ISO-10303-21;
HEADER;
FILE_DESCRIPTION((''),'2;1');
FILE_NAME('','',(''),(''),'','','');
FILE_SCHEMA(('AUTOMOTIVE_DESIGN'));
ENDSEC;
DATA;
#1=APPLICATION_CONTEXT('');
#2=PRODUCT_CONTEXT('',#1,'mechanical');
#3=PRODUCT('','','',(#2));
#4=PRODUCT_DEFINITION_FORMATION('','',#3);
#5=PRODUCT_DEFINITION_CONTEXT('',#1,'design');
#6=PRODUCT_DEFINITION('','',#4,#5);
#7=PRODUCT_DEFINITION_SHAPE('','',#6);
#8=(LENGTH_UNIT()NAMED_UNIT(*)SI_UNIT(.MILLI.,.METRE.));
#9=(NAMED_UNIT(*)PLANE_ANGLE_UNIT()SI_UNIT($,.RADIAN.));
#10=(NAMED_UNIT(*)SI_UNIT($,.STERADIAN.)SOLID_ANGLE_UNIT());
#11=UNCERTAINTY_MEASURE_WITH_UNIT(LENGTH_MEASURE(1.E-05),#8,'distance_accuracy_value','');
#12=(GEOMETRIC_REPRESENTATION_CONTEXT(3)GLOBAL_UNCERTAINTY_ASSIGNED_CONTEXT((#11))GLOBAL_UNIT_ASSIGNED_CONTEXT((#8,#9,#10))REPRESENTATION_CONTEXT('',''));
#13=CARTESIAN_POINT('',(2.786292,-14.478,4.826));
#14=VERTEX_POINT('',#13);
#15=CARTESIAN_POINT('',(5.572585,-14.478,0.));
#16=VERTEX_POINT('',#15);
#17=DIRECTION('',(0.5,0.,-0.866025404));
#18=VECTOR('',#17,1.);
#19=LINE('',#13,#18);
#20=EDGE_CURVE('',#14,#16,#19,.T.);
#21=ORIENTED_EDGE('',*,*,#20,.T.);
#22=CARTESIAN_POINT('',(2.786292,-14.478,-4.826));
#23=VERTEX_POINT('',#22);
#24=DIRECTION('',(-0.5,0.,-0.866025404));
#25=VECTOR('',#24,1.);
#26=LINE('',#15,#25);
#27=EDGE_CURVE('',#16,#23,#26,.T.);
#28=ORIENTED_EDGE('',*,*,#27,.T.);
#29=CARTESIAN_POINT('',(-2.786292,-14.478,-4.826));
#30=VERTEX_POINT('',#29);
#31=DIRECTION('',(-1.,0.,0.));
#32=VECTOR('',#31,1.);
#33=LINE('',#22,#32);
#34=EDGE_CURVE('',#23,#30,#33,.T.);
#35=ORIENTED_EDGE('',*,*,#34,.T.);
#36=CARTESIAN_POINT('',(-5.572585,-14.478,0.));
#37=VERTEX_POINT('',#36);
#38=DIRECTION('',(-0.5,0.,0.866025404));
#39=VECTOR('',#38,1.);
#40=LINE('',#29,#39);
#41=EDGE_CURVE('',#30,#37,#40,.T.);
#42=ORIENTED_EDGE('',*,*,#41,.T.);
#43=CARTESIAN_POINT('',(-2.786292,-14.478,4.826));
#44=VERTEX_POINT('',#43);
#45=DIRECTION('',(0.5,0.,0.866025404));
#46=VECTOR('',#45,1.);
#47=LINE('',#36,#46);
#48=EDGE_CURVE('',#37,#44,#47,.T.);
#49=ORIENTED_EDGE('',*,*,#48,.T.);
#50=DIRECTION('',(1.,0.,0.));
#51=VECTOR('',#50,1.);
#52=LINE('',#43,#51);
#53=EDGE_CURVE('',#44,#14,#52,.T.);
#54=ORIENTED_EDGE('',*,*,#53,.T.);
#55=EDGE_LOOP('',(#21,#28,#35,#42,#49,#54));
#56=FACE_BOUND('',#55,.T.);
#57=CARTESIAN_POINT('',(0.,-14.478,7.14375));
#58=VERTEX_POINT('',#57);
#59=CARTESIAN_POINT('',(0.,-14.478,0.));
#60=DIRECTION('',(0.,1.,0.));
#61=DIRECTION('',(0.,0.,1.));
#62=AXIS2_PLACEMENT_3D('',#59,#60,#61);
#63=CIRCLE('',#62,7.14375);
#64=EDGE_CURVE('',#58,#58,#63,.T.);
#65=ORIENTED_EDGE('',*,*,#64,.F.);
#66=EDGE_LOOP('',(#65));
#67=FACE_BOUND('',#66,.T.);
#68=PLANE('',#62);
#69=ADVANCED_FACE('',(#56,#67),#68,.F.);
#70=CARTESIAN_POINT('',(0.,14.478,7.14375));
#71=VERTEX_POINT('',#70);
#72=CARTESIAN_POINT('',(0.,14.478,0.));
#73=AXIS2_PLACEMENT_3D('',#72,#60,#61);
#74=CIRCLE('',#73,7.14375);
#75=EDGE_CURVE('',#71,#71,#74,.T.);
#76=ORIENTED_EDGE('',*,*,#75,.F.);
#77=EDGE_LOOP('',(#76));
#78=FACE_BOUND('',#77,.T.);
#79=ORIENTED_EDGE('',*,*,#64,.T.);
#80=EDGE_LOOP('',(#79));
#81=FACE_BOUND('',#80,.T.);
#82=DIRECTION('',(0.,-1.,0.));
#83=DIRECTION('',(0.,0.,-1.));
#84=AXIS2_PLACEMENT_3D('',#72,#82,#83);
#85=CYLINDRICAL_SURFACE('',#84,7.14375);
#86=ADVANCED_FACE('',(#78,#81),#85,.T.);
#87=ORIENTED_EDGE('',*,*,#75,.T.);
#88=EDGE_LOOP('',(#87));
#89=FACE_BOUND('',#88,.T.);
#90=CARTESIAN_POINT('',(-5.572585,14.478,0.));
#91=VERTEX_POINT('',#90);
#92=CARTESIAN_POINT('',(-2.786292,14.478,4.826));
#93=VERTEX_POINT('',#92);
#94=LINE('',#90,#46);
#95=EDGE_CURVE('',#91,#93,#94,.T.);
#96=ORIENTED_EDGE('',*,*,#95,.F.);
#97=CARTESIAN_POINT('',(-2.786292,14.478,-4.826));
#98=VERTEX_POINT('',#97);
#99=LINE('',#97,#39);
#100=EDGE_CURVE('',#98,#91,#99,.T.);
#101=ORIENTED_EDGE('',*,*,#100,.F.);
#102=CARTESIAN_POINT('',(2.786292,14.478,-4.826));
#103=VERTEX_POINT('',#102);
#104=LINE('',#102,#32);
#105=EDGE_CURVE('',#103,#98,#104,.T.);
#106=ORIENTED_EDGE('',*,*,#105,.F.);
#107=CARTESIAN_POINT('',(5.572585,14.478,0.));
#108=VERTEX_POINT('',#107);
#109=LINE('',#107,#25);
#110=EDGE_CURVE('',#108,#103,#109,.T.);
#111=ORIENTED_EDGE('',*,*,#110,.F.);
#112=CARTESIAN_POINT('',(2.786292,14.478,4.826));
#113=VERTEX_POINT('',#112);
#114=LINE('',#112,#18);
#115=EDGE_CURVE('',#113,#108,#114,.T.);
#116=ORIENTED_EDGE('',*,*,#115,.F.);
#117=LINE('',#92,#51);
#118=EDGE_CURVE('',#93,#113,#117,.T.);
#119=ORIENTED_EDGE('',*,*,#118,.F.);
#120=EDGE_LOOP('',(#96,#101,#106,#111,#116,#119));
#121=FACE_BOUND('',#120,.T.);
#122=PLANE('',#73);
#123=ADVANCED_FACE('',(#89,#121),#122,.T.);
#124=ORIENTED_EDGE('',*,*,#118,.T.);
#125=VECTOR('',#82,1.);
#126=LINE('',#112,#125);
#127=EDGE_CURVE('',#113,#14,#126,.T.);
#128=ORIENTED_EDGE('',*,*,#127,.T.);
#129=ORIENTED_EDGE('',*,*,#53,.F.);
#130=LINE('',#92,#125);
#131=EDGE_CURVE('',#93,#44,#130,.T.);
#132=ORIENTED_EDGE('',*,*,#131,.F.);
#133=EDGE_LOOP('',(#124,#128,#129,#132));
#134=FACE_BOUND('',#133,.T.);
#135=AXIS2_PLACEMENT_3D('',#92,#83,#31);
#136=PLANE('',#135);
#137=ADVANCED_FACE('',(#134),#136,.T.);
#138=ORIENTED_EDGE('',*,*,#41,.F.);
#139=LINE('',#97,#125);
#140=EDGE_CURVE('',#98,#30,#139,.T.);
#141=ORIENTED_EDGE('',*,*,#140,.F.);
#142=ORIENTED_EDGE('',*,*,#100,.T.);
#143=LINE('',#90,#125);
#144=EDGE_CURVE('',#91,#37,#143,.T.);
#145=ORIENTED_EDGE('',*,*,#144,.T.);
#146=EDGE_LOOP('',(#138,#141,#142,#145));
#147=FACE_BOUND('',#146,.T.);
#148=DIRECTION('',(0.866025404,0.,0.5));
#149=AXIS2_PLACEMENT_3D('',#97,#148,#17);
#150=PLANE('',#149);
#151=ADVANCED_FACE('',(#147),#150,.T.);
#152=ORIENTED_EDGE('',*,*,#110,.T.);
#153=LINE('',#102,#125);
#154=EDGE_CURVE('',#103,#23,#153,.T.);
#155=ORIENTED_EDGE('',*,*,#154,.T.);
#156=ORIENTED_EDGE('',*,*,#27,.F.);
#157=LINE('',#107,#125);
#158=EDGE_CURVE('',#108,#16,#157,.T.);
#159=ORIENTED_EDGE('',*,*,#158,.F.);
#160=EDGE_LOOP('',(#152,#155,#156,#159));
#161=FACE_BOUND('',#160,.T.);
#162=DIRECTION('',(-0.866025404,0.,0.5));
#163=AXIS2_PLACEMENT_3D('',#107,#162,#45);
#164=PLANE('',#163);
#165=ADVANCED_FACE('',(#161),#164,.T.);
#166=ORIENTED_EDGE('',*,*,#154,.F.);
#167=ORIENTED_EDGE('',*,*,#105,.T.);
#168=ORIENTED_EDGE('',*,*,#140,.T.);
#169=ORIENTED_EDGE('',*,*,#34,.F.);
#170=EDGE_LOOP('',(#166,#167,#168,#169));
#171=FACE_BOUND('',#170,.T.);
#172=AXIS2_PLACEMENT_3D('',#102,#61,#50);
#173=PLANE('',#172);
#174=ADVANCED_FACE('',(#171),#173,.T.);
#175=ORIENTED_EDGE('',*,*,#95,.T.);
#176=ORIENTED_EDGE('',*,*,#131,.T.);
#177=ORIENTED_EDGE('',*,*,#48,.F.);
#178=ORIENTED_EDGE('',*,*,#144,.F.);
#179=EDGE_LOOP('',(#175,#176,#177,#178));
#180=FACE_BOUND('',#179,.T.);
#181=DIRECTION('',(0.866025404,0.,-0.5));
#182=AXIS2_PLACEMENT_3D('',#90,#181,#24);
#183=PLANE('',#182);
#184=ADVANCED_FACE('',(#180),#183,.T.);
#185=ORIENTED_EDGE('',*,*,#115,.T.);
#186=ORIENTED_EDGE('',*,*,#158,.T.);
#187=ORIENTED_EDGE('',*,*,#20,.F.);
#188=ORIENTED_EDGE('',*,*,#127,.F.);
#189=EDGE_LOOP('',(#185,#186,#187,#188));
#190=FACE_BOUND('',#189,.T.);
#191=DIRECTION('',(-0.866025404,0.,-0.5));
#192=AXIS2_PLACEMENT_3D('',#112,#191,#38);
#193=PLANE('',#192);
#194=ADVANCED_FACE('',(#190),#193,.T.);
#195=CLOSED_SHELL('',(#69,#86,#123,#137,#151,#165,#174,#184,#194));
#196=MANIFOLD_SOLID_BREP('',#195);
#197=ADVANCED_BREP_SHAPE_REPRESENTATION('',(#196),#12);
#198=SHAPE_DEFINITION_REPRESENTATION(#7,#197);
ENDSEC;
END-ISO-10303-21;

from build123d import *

# Parameters (mm, degrees)
SKETCH1_R           = 7.14375
BOSS_EXTRUDE1_DEPTH = 14.478


with BuildPart() as part:
    # Sketch1 → Boss-Extrude1 (new, symmetric)
    with BuildSketch(Plane(origin=(0, 0, 0), x_dir=(1, 0, 0), z_dir=(0, 1, 0))):
        with Locations(Location((0, 0, 0), (0, 0, 270))):
            Circle(SKETCH1_R)
        Polygon((2.786292399, -4.826), (5.572584798, 0), (2.786292399, 4.826), (-2.786292399, 4.826), (-5.572584798, 0), (-2.786292399, -4.826), align=None, mode=Mode.SUBTRACT)
    extrude(amount=BOSS_EXTRUDE1_DEPTH, both=True)


solid = part.part
